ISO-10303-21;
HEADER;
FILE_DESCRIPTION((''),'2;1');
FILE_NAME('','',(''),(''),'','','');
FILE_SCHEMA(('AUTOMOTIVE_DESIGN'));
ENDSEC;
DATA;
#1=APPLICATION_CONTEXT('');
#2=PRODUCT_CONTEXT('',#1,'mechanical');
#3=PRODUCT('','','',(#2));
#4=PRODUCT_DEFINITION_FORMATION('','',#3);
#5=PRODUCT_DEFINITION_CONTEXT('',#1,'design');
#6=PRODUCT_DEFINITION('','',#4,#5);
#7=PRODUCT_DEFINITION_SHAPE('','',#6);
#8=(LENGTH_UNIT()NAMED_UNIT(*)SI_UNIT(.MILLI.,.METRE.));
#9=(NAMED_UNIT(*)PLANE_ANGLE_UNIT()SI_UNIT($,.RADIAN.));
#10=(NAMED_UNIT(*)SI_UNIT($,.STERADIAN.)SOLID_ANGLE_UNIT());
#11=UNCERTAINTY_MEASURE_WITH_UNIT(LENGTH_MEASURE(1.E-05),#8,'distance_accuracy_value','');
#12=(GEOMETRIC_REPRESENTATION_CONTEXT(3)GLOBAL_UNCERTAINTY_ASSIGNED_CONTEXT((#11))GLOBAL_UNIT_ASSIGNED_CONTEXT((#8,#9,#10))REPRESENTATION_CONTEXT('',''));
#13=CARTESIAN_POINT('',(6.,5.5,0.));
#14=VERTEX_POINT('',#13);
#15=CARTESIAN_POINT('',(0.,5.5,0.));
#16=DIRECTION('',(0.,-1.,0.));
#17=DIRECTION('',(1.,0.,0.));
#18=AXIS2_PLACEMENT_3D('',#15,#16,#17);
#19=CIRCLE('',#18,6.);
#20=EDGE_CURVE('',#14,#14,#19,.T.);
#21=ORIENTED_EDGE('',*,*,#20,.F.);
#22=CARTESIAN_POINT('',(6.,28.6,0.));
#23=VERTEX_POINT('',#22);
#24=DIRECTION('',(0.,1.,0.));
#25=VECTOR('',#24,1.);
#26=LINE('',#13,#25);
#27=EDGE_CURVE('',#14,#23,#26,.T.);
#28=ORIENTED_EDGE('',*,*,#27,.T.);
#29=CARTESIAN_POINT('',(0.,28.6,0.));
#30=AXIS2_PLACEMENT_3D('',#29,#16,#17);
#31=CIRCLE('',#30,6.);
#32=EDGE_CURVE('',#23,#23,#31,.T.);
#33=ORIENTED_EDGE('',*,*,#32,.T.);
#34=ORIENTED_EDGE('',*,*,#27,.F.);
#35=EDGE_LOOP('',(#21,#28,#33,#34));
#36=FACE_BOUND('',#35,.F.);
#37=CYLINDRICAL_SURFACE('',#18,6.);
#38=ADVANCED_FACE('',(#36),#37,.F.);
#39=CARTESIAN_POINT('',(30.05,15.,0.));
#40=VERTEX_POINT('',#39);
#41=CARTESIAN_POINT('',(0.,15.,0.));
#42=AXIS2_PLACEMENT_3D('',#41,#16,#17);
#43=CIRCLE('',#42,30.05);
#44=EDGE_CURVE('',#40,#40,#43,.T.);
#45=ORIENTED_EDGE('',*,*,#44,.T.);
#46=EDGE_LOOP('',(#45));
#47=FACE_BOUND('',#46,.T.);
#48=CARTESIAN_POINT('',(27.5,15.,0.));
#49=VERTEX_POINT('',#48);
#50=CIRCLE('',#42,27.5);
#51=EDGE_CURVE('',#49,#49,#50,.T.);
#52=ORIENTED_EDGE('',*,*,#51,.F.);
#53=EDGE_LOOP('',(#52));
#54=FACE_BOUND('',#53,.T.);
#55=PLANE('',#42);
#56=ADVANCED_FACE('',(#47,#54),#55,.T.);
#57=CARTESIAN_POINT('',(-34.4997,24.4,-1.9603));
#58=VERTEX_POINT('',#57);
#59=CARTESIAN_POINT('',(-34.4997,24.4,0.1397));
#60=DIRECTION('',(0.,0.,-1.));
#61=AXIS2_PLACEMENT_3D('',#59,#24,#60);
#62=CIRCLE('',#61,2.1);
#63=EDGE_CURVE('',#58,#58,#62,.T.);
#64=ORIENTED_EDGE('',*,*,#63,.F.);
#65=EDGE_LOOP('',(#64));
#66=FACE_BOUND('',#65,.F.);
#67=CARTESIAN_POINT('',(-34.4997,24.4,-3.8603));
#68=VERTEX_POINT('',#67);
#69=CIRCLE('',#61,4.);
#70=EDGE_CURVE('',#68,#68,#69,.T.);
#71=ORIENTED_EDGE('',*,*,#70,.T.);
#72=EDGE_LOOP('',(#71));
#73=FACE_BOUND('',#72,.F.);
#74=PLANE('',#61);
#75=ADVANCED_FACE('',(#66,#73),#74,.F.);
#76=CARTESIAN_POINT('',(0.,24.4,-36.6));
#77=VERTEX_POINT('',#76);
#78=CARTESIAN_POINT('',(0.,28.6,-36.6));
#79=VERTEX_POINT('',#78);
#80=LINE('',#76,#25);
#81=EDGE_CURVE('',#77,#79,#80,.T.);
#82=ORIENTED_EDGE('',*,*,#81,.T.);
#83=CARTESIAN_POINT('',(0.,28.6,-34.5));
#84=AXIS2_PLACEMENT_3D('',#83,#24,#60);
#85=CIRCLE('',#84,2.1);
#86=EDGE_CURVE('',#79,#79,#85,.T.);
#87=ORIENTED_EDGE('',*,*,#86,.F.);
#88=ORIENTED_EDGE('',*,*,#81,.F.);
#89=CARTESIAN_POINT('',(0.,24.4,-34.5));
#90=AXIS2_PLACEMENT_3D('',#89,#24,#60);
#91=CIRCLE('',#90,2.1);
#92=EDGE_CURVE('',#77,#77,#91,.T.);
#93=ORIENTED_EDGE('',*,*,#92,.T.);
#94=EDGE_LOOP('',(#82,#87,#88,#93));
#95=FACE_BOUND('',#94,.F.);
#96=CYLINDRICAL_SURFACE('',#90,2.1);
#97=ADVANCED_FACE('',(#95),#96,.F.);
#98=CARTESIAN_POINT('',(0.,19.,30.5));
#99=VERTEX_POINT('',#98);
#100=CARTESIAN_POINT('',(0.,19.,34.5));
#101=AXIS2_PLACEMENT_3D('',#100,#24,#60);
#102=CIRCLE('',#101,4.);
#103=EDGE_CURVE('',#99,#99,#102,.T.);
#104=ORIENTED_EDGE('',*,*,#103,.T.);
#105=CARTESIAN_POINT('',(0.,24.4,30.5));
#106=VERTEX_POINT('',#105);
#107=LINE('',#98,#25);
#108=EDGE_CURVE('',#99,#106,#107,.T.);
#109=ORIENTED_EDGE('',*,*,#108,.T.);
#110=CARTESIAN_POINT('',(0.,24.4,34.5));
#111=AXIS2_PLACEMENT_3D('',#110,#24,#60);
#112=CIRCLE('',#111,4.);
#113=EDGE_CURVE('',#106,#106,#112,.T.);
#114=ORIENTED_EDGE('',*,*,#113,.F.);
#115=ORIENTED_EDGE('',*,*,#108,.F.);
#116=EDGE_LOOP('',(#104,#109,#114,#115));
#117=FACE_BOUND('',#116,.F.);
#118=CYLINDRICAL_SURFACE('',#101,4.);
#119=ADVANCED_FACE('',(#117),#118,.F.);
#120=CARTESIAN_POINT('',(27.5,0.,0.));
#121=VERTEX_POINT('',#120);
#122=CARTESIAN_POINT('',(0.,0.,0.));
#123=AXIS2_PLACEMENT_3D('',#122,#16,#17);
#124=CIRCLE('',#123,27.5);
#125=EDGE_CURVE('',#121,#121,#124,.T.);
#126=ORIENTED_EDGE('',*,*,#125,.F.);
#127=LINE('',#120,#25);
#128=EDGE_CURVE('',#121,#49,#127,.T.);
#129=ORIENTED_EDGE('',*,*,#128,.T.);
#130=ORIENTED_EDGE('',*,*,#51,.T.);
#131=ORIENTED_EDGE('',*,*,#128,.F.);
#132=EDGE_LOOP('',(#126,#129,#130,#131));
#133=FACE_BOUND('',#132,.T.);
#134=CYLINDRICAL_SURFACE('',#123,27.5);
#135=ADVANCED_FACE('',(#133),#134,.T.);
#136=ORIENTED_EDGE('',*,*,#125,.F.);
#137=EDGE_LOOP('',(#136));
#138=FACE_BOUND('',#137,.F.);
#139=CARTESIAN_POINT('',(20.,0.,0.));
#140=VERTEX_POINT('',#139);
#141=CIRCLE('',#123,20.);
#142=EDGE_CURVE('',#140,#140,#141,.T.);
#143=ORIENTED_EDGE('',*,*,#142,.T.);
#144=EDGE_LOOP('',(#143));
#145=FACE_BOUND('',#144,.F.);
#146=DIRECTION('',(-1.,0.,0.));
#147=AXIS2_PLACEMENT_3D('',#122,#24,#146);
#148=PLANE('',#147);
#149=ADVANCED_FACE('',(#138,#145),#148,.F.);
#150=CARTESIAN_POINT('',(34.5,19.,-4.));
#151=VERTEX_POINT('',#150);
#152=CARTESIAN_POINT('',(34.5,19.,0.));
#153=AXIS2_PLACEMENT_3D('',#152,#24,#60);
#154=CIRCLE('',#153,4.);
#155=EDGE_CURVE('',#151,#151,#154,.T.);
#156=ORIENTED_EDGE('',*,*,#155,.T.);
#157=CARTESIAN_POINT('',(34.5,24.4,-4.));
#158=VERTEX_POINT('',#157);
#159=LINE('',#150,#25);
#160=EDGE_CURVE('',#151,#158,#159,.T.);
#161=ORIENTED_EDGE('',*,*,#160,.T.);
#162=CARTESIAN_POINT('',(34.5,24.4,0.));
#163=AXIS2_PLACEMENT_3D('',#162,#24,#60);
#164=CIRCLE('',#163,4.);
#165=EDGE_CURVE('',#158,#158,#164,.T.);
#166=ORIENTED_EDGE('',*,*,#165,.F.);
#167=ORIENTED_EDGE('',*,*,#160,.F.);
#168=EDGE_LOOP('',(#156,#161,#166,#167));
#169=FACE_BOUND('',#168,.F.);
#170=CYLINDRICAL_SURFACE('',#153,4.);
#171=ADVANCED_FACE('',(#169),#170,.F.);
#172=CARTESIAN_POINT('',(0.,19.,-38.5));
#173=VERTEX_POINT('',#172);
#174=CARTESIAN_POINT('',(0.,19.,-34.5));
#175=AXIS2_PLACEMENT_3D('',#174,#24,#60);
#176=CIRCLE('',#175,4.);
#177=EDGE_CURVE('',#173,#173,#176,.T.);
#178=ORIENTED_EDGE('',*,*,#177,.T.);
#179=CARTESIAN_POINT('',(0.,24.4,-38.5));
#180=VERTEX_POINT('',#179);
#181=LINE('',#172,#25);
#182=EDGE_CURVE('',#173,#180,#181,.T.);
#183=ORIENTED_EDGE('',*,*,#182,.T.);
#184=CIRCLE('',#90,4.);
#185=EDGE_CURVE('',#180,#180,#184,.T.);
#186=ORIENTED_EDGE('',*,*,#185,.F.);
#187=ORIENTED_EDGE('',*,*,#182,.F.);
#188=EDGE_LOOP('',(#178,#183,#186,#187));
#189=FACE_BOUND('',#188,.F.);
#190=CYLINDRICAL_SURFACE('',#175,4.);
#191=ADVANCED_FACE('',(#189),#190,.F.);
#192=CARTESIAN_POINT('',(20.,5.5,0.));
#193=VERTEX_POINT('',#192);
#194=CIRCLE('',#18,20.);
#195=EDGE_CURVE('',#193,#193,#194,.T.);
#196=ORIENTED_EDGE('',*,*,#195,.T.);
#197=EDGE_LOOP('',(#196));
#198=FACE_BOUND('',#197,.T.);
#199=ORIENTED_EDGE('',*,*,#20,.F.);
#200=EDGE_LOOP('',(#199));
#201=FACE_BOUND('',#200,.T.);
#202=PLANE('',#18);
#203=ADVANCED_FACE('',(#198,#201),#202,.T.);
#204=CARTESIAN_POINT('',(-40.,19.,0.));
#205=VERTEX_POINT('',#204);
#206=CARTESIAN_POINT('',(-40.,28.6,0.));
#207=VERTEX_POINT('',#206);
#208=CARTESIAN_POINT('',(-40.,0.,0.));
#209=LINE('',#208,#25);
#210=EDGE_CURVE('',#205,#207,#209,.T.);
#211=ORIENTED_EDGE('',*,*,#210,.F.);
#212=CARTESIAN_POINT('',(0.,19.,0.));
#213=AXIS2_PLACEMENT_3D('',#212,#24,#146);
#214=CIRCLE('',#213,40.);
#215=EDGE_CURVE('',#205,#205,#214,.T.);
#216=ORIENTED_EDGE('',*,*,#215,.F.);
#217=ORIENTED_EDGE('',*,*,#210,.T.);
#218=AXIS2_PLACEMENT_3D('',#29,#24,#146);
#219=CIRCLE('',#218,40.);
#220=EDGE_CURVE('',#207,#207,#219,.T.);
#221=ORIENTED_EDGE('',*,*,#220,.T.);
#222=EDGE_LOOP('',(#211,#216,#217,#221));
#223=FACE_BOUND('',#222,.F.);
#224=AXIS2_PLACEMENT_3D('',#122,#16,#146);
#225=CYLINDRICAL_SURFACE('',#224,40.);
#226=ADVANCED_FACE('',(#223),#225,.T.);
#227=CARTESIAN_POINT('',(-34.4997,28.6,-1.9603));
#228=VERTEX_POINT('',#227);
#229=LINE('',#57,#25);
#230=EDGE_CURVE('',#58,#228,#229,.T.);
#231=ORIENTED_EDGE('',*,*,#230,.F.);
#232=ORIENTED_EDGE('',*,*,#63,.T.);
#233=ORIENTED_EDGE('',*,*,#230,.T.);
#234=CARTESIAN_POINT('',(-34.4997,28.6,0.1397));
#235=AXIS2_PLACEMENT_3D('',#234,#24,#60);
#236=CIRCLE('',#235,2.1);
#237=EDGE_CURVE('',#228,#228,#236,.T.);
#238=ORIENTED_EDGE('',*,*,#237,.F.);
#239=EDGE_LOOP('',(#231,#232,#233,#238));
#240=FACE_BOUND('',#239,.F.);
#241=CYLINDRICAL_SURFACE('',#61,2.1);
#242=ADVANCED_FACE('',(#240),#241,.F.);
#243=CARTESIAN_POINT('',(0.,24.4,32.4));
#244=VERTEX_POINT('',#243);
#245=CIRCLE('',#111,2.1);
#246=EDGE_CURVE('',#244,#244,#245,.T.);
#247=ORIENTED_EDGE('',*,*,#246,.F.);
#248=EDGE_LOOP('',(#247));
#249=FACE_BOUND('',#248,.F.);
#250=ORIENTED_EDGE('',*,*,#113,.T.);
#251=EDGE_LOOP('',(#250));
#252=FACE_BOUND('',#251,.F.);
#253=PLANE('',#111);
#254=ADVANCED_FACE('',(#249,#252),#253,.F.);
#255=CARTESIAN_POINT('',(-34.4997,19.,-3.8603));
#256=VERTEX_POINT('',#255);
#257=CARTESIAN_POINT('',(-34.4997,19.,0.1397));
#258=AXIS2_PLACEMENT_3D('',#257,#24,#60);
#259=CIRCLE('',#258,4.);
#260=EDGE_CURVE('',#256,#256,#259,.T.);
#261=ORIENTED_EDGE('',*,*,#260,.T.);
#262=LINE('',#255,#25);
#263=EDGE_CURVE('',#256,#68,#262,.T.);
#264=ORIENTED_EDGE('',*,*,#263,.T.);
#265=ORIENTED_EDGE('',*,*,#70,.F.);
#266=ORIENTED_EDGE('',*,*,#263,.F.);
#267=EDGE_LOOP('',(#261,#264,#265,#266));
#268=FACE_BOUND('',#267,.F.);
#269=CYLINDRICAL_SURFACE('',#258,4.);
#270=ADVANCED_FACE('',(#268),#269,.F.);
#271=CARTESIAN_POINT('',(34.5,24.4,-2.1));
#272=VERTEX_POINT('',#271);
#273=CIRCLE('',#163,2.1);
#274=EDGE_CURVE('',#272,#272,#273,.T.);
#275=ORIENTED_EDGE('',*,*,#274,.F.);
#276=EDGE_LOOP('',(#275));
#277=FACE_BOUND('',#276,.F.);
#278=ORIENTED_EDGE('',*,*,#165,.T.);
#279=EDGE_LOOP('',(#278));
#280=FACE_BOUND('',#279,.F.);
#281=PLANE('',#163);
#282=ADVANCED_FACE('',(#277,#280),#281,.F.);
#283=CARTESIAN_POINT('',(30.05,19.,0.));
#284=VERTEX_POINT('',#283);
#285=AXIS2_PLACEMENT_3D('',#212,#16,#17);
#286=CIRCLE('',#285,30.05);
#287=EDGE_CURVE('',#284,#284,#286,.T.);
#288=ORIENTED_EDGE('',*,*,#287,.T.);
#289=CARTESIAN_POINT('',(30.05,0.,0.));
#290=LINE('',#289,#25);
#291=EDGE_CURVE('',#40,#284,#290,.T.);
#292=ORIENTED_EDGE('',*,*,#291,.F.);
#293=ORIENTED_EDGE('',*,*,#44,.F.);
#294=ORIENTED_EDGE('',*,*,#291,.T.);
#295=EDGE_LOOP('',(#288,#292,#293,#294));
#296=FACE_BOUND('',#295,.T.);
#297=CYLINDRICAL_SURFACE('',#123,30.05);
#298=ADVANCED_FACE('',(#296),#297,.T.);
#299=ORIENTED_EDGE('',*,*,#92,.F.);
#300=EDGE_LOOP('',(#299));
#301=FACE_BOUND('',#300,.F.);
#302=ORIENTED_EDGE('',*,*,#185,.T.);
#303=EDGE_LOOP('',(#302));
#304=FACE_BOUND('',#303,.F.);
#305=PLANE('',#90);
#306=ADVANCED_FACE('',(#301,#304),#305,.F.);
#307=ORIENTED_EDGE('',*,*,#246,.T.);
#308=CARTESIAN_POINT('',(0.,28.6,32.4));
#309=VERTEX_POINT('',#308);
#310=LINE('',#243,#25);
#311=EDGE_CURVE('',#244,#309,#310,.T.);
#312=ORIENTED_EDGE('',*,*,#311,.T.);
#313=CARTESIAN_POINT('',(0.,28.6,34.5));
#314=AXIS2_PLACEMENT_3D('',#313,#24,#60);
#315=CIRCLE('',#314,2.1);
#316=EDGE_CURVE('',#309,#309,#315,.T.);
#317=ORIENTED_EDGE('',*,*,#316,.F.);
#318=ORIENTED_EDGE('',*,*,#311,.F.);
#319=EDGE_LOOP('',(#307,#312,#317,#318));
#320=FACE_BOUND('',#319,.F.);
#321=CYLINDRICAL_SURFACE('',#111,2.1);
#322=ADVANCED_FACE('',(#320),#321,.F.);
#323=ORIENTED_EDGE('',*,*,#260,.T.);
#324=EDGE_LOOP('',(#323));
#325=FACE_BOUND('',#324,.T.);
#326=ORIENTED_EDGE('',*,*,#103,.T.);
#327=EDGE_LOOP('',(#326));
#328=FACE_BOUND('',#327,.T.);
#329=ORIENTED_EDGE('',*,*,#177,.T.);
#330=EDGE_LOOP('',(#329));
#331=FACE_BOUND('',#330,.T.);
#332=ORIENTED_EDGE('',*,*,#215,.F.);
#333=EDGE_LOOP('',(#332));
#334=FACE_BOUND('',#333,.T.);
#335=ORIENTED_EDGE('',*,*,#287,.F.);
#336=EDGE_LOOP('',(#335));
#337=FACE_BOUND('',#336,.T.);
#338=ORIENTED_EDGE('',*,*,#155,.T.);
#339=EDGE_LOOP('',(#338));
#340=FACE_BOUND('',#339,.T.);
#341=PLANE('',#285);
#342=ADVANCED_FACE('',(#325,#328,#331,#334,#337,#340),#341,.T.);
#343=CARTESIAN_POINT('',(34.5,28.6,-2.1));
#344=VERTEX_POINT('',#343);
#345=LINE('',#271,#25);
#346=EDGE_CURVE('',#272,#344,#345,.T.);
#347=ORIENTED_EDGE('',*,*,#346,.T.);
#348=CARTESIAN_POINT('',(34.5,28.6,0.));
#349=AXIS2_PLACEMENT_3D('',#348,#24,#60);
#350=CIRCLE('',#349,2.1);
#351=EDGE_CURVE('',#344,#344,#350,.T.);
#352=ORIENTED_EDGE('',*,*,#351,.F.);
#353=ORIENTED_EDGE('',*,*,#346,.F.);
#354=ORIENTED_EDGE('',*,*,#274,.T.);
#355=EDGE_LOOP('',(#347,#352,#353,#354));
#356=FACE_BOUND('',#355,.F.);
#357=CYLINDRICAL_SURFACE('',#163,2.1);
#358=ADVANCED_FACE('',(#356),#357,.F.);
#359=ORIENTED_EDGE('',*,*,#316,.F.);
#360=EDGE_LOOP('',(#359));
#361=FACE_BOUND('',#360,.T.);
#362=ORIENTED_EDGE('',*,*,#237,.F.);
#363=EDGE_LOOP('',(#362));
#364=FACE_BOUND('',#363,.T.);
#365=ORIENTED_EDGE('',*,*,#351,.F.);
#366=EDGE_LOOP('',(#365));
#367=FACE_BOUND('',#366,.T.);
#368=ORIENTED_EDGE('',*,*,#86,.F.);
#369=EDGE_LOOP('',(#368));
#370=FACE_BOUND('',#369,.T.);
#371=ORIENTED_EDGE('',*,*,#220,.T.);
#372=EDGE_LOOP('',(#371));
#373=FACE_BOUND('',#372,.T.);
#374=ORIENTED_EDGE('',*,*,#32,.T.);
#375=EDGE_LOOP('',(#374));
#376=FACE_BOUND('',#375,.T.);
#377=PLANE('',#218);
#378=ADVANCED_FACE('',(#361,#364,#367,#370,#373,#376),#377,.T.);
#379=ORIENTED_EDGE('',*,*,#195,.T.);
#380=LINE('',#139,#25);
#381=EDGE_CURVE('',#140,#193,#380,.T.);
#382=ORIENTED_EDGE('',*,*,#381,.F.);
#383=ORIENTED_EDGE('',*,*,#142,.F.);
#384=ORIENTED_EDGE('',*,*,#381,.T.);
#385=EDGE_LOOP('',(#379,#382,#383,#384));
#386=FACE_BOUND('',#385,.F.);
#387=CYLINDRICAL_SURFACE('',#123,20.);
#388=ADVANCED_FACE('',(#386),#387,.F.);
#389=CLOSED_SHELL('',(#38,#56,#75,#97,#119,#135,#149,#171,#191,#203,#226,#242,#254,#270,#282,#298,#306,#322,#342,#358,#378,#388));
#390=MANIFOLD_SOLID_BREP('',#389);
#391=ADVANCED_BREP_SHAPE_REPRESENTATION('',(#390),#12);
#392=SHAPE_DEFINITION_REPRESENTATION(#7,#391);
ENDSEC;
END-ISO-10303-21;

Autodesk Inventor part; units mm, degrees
ref_plane "YZ Plane" through (0, 0, 0) normal (1, 0, 0) x (0, 1, 0)
ref_plane "XZ Plane" through (0, 0, 0) normal (0, 1, 0) x (-1, 0, 0)
ref_plane "XY Plane" through (0, 0, 0) normal (0, 0, 1) x (1, 0, 0)
sketch "スケッチ1" plane through (0, 0, 0) normal (0, 1, 0) x (-1, 0, 0)
  circle A0 centre (0, 0) radius 40
  dimension "d0" = 80
extrude "押し出し1" add sketch "スケッチ1" along normal blind 28.6
sketch "スケッチ2" plane through (0, 0, 0) normal (0, -1, 0) x (1, 0, 0)
  circle A0 centre (0, 0) radius 30.05
  circle A1 centre (0, 0) radius 40
  dimension "d3" = 60.1
  dimension "d4" = 80
extrude "押し出し2" cut sketch "スケッチ2" against normal blind 19
sketch "スケッチ3" plane through (0, 0, 0) normal (0, -1, 0) x (1, 0, 0)
  circle A0 centre (0, 0) radius 27.5
  circle A1 centre (0, 0) radius 30.05
  dimension "d7" = 55
extrude "押し出し3" cut sketch "スケッチ3" against normal blind 15
sketch "スケッチ5" plane through (0, 0, 0) normal (0, -1, 0) x (1, 0, 0)
  circle A0 centre (0, 0) radius 20
  dimension "d10" = 40
extrude "押し出し4" cut sketch "スケッチ5" against normal blind 5.5
sketch "スケッチ6" plane through (0, 5.5, 0) normal (0, -1, 0) x (1, 0, 0)
  circle A0 centre (0, 0) radius 6
  dimension "d13" = 12
extrude "押し出し5" cut sketch "スケッチ6" against normal blind 30000
sketch "スケッチ7" plane through (0, 19, 0) normal (0, -1, 0) x (1, 0, 0)
  circle A0 centre (0, 0) radius 34.5
  circle A1 centre (0, 34.5) radius 2
  circle A2 centre (34.5, 0) radius 2
  circle A3 centre (0, -34.5) radius 2
  circle A4 centre (-34.4997, 0.1397) radius 2
  dimension "d60" = 69
  dimension "d61" = 4
  dimension "d62" = 4
  dimension "d63" = 4
  dimension "d64" = 4
extrude "押し出し6" cut sketch "スケッチ7" against normal blind 10 contours A0 A2 | A0 A2 | A1 A0 | A0 A1 | A3 A0 | A0 A3 | A4 A0 | A0 A4
hole "穴1" at (34.5, 19, 0) direction (0, 1, 0) diameter 4.2 depth 10 counterbore diameter 8 counterbore depth 5.4
hole "穴2" at (-34.4997, 19, 0.1397) direction (0, 1, 0) diameter 4.2 depth 10 counterbore diameter 8 counterbore depth 5.4
hole "穴3" at (0, 19, -34.5) direction (0, 1, 0) diameter 4.2 depth 10 counterbore diameter 8 counterbore depth 5.4
hole "穴4" at (0, 19, 34.5) direction (0, 1, 0) diameter 4.2 depth 10 counterbore diameter 8 counterbore depth 5.4
properties part number "GearHead2"
